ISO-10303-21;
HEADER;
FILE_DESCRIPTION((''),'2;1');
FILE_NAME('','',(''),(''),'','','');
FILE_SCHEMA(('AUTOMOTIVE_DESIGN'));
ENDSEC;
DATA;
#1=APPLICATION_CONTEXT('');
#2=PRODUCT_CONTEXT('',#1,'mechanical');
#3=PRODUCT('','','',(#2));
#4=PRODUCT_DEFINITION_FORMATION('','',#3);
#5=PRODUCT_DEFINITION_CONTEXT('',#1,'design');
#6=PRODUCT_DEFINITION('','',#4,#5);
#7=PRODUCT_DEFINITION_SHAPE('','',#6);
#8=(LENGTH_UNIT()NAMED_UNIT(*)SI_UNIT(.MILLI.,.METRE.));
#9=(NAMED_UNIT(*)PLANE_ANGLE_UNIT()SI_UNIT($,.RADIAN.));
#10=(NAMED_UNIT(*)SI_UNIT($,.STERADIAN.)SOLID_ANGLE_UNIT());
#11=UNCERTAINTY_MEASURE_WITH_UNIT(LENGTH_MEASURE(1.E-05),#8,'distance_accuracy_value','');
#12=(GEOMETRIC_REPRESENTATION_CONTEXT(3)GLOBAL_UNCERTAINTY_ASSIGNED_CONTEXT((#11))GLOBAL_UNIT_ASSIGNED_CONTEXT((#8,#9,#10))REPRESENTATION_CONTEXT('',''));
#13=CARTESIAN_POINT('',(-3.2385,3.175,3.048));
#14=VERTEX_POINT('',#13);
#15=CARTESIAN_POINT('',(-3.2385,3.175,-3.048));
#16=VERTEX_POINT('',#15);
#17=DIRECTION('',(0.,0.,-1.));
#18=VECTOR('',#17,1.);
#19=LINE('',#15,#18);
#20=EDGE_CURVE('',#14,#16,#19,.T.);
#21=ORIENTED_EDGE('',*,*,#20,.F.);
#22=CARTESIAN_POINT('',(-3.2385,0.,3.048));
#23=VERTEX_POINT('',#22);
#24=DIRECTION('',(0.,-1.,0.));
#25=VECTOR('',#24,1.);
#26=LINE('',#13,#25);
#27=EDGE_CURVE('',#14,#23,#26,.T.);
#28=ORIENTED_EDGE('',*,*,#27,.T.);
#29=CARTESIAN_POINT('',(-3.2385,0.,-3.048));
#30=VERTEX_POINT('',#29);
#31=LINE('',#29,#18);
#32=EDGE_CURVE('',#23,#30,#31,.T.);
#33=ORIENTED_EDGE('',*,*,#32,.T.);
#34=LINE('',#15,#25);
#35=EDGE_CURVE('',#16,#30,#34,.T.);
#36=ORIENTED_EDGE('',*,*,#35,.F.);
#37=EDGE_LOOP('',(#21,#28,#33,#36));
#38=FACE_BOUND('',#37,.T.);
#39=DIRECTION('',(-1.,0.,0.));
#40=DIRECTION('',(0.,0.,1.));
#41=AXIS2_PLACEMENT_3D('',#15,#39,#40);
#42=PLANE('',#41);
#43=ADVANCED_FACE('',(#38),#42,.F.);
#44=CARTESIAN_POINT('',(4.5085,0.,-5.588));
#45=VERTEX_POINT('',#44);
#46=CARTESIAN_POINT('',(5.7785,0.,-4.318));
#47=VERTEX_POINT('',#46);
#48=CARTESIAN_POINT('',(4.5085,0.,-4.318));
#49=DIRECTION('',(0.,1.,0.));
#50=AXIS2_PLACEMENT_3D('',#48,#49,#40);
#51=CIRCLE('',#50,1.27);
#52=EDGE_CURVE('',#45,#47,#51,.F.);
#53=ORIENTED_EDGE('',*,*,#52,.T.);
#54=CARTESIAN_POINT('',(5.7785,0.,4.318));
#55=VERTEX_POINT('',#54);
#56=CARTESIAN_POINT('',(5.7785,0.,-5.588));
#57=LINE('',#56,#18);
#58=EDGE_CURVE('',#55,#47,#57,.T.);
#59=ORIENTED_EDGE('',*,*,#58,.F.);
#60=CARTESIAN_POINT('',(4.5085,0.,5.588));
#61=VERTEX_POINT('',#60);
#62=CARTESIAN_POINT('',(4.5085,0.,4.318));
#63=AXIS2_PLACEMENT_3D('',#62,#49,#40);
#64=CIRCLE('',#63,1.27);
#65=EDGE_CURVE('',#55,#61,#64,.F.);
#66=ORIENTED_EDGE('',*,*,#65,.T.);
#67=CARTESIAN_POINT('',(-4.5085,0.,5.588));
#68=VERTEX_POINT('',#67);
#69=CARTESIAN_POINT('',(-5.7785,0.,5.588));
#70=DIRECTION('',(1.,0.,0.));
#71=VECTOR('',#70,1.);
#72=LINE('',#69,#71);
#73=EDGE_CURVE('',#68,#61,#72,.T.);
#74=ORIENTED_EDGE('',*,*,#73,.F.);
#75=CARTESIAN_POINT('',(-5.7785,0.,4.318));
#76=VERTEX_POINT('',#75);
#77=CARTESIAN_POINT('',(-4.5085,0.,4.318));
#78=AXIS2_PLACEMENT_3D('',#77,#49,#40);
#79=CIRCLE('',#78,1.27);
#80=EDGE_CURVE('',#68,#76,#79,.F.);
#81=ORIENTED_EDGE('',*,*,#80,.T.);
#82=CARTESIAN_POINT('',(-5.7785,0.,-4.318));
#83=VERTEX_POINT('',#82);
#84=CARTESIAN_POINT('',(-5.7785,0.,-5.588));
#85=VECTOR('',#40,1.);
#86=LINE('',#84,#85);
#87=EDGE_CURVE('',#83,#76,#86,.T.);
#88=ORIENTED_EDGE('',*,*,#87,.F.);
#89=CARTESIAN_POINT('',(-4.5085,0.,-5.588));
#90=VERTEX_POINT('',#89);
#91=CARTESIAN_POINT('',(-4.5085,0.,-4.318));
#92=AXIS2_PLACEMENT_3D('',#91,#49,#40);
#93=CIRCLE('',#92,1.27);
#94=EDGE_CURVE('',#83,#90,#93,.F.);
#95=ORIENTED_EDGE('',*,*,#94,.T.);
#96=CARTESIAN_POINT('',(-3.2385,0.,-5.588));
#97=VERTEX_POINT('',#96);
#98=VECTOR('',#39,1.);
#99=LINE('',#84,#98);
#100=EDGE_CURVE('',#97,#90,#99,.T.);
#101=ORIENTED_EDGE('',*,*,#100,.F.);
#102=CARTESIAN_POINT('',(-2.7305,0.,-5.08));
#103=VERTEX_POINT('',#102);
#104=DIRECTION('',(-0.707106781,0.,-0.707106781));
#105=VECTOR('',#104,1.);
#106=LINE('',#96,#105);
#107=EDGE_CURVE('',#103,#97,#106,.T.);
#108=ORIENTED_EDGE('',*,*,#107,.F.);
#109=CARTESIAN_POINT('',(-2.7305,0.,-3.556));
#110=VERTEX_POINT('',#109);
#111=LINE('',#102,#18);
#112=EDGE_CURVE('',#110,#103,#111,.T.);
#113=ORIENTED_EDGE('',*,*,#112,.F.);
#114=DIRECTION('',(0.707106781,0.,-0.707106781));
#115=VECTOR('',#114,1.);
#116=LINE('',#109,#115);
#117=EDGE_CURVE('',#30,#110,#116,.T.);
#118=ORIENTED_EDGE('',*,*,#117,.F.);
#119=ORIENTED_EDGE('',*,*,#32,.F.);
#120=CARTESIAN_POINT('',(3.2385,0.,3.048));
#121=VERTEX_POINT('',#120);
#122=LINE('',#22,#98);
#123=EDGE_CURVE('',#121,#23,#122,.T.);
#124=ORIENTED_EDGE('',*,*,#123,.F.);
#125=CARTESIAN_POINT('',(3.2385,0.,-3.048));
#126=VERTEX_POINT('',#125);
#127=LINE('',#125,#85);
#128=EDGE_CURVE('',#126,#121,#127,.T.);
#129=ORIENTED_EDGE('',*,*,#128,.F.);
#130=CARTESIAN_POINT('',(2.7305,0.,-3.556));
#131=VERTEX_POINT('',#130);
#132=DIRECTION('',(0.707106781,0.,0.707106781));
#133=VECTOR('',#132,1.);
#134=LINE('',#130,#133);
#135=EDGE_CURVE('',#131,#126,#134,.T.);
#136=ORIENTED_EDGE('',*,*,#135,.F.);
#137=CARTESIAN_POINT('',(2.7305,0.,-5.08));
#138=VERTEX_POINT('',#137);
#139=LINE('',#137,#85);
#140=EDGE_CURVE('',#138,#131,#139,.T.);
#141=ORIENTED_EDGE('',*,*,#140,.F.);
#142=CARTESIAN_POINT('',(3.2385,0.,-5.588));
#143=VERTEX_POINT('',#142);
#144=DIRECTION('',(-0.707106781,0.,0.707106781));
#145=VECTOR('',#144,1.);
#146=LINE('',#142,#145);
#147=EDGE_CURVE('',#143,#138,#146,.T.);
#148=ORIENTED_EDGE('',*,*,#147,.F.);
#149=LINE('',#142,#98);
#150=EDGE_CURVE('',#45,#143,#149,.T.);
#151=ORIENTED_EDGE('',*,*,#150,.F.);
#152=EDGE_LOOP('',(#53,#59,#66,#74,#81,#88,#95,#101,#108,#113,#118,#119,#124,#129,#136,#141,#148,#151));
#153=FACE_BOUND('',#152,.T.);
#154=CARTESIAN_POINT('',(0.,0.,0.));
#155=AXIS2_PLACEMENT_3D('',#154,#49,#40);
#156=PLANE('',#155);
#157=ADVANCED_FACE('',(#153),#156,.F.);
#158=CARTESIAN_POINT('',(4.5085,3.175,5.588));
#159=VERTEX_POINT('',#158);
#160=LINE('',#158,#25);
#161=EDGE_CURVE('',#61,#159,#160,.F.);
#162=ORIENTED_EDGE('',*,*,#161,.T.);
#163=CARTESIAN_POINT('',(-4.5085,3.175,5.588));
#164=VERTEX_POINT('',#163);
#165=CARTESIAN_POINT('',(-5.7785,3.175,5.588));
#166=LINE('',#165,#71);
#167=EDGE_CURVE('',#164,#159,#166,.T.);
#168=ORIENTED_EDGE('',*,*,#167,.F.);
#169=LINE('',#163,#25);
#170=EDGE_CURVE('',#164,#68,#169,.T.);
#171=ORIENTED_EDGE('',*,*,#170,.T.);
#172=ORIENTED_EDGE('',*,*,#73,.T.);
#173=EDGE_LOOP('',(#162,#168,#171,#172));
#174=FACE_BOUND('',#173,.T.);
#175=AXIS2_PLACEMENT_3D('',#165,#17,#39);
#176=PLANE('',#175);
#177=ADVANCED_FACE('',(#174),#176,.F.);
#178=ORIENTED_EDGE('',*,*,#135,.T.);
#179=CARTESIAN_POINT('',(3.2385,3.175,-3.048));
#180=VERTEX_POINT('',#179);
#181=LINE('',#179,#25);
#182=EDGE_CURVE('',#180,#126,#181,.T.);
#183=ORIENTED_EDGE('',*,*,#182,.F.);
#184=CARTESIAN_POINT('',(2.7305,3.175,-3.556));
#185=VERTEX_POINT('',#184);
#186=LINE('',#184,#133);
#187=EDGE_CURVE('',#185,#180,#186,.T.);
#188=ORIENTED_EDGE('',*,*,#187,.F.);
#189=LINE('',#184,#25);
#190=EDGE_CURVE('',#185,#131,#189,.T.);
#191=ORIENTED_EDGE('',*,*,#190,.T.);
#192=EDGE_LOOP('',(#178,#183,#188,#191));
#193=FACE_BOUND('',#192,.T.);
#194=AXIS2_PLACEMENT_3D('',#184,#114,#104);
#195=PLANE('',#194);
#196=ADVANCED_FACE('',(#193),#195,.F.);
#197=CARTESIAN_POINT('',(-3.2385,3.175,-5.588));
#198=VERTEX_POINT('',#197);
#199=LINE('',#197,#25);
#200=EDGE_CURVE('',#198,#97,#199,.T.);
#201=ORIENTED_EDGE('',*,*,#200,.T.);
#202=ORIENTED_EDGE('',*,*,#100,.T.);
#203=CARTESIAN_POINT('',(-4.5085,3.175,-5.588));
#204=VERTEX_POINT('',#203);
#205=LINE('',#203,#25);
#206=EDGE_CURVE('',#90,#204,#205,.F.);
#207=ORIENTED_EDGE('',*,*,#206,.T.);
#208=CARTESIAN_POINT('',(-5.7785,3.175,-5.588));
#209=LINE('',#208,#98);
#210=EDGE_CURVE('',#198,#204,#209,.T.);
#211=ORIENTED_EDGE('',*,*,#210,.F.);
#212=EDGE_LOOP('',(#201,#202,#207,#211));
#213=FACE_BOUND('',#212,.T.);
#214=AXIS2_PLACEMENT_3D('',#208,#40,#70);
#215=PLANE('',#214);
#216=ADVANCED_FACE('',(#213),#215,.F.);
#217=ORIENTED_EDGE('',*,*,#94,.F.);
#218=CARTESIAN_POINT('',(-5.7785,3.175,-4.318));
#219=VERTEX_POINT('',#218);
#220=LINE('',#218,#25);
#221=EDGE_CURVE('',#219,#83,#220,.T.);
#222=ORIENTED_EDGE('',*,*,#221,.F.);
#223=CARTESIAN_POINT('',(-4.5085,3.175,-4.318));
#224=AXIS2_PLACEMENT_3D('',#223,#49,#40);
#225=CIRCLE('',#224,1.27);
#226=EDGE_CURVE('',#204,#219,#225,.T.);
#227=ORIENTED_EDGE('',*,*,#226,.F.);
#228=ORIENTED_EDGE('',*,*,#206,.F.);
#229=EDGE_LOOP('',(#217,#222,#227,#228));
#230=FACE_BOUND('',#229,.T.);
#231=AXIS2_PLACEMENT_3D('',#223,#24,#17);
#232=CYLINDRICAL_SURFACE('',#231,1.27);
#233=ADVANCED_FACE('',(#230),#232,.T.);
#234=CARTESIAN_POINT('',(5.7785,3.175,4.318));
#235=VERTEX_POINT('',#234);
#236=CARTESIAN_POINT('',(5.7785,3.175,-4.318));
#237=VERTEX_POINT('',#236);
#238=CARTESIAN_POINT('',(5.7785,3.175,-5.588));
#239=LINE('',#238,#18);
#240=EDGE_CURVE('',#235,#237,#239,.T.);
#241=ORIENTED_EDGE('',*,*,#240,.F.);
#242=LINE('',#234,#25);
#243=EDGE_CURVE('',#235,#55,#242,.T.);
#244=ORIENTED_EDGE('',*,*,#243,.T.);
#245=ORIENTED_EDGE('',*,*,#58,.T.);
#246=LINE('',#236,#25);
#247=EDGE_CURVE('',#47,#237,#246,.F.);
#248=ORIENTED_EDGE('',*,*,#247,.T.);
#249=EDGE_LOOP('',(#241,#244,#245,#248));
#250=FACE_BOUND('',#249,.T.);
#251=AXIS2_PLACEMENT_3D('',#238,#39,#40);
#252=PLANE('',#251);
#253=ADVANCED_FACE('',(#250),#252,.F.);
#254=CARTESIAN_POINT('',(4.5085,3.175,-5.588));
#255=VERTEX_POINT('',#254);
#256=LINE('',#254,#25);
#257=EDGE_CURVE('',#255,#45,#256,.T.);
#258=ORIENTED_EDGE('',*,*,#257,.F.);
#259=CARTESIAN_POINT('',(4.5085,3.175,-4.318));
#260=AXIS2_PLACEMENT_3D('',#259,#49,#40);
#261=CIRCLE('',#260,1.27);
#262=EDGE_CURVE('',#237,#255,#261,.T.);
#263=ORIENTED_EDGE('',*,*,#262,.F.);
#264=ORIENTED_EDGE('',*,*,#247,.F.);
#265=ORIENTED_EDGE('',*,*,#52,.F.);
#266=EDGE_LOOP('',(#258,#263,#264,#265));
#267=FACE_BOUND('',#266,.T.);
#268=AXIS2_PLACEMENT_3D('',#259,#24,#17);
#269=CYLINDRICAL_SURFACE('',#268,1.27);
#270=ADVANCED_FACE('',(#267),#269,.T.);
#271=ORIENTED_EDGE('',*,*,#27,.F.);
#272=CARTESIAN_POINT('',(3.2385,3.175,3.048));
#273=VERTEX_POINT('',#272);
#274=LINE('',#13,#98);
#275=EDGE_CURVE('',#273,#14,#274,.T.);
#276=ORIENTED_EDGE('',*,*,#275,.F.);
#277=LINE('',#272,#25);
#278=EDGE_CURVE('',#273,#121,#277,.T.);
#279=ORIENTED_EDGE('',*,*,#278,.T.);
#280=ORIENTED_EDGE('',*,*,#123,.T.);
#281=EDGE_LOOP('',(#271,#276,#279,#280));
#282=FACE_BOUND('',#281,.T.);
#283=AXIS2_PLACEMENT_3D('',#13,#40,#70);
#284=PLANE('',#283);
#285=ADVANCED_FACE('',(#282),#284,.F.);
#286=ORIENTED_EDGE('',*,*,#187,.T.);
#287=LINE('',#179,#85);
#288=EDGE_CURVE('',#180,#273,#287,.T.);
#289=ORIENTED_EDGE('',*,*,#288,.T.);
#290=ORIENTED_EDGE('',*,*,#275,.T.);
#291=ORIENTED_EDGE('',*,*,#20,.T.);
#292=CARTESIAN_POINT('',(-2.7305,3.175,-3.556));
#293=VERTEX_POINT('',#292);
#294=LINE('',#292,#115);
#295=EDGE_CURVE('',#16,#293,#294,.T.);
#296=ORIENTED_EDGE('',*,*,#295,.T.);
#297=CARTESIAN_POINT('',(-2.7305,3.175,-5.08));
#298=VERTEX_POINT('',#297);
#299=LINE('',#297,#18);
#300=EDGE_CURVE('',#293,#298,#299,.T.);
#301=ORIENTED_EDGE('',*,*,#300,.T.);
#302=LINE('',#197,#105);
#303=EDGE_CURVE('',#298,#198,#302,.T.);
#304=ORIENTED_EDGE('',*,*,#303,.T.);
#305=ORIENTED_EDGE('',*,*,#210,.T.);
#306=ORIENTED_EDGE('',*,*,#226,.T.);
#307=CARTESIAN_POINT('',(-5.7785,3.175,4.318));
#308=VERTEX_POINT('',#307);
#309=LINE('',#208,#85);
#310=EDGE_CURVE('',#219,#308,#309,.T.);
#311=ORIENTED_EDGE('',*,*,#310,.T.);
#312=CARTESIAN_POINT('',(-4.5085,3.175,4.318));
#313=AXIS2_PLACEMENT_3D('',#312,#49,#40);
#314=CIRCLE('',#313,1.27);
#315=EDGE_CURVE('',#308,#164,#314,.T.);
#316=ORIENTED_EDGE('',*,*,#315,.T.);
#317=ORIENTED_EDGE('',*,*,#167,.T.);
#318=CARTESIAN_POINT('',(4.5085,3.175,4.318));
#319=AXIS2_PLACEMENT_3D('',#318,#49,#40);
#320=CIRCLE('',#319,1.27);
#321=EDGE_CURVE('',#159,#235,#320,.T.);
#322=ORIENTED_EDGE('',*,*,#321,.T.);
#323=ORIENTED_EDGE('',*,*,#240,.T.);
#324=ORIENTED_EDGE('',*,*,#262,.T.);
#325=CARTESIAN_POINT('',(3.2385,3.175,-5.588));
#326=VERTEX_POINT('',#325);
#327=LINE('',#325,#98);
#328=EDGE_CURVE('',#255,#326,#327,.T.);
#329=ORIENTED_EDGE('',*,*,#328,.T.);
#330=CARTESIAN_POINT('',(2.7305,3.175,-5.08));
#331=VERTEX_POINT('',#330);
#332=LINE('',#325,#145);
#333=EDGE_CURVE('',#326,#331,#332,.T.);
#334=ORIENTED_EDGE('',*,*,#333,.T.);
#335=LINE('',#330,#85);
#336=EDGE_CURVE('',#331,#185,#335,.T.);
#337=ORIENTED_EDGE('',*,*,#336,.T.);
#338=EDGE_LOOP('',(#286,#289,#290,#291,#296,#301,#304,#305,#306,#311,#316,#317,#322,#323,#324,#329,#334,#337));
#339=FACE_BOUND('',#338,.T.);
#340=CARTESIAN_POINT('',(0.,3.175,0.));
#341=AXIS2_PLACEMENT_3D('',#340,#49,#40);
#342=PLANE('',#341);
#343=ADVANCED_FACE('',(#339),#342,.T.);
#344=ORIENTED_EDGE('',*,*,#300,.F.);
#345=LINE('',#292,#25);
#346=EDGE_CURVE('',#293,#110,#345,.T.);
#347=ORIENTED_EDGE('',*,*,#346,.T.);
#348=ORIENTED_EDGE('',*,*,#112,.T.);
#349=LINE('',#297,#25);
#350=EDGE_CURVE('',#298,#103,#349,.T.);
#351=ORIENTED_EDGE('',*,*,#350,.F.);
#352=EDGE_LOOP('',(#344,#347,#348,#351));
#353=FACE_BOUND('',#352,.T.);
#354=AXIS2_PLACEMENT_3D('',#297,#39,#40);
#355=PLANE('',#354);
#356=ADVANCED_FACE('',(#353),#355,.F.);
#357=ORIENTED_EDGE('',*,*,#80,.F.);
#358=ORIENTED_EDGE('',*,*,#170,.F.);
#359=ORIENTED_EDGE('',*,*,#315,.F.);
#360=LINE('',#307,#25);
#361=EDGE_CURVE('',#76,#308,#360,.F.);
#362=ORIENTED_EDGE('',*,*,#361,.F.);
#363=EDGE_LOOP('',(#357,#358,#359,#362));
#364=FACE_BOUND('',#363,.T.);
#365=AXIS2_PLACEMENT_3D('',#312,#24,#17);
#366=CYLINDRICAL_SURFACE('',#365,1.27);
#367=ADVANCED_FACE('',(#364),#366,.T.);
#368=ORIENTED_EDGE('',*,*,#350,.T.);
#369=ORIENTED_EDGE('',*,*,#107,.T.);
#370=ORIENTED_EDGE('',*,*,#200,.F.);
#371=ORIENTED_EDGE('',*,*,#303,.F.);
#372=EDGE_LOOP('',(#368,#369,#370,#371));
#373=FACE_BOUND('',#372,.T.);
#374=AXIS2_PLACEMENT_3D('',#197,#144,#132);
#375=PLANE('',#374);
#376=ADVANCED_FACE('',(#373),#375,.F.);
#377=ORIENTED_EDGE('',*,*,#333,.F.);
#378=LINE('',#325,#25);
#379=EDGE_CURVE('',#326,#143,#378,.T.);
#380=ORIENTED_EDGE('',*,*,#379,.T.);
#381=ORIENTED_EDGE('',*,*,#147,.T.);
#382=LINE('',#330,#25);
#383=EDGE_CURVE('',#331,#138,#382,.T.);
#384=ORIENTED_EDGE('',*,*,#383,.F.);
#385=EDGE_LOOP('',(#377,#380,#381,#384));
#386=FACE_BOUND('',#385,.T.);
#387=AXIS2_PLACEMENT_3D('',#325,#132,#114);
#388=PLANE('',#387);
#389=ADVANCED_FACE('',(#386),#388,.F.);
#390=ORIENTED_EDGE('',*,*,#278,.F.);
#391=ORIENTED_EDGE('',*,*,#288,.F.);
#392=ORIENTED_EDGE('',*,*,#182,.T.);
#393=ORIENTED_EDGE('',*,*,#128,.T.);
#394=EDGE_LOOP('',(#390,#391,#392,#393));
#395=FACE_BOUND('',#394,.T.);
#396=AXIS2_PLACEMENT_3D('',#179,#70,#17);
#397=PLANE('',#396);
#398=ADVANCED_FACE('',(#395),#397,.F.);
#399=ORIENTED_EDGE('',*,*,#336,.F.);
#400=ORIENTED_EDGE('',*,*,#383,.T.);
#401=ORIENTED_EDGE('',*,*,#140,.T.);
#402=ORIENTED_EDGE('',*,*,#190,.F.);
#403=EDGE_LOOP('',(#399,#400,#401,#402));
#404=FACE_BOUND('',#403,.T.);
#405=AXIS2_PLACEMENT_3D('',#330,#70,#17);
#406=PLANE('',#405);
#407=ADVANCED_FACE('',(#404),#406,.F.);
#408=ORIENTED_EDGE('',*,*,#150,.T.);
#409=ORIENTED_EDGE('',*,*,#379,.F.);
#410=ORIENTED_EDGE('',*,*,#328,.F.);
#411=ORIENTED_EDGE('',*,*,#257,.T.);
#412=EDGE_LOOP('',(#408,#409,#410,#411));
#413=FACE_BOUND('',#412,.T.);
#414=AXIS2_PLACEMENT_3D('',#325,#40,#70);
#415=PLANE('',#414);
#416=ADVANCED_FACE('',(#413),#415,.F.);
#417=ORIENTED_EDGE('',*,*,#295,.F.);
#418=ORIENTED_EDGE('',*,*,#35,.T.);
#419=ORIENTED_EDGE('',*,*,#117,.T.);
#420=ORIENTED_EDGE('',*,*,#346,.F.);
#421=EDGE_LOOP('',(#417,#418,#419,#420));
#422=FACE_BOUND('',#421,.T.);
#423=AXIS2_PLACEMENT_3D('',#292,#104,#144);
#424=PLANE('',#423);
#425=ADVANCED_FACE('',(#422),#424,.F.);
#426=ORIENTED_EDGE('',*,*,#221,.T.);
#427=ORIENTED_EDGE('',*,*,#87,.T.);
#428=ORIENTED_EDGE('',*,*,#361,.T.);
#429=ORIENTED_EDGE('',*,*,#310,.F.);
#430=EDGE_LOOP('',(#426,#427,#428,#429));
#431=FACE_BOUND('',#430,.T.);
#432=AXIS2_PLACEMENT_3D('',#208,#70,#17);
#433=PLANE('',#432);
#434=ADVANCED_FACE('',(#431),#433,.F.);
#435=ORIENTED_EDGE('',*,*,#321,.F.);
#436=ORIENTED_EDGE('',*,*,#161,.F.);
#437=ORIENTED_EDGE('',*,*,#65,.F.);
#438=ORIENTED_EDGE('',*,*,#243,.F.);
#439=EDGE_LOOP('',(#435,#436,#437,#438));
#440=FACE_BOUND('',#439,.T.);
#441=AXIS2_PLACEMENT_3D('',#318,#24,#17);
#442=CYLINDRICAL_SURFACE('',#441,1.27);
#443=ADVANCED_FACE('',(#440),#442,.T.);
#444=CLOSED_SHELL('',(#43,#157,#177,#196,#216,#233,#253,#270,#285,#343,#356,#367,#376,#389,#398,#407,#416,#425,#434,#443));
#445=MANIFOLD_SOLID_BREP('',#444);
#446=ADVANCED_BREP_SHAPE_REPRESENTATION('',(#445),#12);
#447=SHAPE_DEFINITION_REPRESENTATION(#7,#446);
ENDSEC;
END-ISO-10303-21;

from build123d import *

# Parameters (mm, degrees)
BOSS_EXTRUDE1_DEPTH = 3.175
FILLET1_R           = 1.27


with BuildPart() as part:
    # Sketch1 → Boss-Extrude1 (new body)
    with BuildSketch(Plane(origin=(0, 0, 0), x_dir=(1, 0, 0), z_dir=(0, 1, 0))):
        Polygon((-5.7785, 5.588), (-5.7785, -5.588), (5.7785, -5.588), (5.7785, 5.588), (3.2385, 5.588), (2.7305, 5.08), (2.7305, 3.556), (3.2385, 3.048), (3.2385, -3.048), (-3.2385, -3.048), (-3.2385, 3.048), (-2.7305, 3.556), (-2.7305, 5.08), (-3.2385, 5.588), align=None)
    extrude(amount=BOSS_EXTRUDE1_DEPTH)

    # Fillet1
    fillet1_edges = [part.edges().sort_by_distance(p)[0] for p in [
        (5.7785, 1.5875, -5.588),
        (5.7785, 1.5875, 5.588),
        (-5.7785, 1.5875, 5.588),
        (-5.7785, 1.5875, -5.588),
    ]]
    fillet(fillet1_edges, radius=FILLET1_R)


solid = part.part
